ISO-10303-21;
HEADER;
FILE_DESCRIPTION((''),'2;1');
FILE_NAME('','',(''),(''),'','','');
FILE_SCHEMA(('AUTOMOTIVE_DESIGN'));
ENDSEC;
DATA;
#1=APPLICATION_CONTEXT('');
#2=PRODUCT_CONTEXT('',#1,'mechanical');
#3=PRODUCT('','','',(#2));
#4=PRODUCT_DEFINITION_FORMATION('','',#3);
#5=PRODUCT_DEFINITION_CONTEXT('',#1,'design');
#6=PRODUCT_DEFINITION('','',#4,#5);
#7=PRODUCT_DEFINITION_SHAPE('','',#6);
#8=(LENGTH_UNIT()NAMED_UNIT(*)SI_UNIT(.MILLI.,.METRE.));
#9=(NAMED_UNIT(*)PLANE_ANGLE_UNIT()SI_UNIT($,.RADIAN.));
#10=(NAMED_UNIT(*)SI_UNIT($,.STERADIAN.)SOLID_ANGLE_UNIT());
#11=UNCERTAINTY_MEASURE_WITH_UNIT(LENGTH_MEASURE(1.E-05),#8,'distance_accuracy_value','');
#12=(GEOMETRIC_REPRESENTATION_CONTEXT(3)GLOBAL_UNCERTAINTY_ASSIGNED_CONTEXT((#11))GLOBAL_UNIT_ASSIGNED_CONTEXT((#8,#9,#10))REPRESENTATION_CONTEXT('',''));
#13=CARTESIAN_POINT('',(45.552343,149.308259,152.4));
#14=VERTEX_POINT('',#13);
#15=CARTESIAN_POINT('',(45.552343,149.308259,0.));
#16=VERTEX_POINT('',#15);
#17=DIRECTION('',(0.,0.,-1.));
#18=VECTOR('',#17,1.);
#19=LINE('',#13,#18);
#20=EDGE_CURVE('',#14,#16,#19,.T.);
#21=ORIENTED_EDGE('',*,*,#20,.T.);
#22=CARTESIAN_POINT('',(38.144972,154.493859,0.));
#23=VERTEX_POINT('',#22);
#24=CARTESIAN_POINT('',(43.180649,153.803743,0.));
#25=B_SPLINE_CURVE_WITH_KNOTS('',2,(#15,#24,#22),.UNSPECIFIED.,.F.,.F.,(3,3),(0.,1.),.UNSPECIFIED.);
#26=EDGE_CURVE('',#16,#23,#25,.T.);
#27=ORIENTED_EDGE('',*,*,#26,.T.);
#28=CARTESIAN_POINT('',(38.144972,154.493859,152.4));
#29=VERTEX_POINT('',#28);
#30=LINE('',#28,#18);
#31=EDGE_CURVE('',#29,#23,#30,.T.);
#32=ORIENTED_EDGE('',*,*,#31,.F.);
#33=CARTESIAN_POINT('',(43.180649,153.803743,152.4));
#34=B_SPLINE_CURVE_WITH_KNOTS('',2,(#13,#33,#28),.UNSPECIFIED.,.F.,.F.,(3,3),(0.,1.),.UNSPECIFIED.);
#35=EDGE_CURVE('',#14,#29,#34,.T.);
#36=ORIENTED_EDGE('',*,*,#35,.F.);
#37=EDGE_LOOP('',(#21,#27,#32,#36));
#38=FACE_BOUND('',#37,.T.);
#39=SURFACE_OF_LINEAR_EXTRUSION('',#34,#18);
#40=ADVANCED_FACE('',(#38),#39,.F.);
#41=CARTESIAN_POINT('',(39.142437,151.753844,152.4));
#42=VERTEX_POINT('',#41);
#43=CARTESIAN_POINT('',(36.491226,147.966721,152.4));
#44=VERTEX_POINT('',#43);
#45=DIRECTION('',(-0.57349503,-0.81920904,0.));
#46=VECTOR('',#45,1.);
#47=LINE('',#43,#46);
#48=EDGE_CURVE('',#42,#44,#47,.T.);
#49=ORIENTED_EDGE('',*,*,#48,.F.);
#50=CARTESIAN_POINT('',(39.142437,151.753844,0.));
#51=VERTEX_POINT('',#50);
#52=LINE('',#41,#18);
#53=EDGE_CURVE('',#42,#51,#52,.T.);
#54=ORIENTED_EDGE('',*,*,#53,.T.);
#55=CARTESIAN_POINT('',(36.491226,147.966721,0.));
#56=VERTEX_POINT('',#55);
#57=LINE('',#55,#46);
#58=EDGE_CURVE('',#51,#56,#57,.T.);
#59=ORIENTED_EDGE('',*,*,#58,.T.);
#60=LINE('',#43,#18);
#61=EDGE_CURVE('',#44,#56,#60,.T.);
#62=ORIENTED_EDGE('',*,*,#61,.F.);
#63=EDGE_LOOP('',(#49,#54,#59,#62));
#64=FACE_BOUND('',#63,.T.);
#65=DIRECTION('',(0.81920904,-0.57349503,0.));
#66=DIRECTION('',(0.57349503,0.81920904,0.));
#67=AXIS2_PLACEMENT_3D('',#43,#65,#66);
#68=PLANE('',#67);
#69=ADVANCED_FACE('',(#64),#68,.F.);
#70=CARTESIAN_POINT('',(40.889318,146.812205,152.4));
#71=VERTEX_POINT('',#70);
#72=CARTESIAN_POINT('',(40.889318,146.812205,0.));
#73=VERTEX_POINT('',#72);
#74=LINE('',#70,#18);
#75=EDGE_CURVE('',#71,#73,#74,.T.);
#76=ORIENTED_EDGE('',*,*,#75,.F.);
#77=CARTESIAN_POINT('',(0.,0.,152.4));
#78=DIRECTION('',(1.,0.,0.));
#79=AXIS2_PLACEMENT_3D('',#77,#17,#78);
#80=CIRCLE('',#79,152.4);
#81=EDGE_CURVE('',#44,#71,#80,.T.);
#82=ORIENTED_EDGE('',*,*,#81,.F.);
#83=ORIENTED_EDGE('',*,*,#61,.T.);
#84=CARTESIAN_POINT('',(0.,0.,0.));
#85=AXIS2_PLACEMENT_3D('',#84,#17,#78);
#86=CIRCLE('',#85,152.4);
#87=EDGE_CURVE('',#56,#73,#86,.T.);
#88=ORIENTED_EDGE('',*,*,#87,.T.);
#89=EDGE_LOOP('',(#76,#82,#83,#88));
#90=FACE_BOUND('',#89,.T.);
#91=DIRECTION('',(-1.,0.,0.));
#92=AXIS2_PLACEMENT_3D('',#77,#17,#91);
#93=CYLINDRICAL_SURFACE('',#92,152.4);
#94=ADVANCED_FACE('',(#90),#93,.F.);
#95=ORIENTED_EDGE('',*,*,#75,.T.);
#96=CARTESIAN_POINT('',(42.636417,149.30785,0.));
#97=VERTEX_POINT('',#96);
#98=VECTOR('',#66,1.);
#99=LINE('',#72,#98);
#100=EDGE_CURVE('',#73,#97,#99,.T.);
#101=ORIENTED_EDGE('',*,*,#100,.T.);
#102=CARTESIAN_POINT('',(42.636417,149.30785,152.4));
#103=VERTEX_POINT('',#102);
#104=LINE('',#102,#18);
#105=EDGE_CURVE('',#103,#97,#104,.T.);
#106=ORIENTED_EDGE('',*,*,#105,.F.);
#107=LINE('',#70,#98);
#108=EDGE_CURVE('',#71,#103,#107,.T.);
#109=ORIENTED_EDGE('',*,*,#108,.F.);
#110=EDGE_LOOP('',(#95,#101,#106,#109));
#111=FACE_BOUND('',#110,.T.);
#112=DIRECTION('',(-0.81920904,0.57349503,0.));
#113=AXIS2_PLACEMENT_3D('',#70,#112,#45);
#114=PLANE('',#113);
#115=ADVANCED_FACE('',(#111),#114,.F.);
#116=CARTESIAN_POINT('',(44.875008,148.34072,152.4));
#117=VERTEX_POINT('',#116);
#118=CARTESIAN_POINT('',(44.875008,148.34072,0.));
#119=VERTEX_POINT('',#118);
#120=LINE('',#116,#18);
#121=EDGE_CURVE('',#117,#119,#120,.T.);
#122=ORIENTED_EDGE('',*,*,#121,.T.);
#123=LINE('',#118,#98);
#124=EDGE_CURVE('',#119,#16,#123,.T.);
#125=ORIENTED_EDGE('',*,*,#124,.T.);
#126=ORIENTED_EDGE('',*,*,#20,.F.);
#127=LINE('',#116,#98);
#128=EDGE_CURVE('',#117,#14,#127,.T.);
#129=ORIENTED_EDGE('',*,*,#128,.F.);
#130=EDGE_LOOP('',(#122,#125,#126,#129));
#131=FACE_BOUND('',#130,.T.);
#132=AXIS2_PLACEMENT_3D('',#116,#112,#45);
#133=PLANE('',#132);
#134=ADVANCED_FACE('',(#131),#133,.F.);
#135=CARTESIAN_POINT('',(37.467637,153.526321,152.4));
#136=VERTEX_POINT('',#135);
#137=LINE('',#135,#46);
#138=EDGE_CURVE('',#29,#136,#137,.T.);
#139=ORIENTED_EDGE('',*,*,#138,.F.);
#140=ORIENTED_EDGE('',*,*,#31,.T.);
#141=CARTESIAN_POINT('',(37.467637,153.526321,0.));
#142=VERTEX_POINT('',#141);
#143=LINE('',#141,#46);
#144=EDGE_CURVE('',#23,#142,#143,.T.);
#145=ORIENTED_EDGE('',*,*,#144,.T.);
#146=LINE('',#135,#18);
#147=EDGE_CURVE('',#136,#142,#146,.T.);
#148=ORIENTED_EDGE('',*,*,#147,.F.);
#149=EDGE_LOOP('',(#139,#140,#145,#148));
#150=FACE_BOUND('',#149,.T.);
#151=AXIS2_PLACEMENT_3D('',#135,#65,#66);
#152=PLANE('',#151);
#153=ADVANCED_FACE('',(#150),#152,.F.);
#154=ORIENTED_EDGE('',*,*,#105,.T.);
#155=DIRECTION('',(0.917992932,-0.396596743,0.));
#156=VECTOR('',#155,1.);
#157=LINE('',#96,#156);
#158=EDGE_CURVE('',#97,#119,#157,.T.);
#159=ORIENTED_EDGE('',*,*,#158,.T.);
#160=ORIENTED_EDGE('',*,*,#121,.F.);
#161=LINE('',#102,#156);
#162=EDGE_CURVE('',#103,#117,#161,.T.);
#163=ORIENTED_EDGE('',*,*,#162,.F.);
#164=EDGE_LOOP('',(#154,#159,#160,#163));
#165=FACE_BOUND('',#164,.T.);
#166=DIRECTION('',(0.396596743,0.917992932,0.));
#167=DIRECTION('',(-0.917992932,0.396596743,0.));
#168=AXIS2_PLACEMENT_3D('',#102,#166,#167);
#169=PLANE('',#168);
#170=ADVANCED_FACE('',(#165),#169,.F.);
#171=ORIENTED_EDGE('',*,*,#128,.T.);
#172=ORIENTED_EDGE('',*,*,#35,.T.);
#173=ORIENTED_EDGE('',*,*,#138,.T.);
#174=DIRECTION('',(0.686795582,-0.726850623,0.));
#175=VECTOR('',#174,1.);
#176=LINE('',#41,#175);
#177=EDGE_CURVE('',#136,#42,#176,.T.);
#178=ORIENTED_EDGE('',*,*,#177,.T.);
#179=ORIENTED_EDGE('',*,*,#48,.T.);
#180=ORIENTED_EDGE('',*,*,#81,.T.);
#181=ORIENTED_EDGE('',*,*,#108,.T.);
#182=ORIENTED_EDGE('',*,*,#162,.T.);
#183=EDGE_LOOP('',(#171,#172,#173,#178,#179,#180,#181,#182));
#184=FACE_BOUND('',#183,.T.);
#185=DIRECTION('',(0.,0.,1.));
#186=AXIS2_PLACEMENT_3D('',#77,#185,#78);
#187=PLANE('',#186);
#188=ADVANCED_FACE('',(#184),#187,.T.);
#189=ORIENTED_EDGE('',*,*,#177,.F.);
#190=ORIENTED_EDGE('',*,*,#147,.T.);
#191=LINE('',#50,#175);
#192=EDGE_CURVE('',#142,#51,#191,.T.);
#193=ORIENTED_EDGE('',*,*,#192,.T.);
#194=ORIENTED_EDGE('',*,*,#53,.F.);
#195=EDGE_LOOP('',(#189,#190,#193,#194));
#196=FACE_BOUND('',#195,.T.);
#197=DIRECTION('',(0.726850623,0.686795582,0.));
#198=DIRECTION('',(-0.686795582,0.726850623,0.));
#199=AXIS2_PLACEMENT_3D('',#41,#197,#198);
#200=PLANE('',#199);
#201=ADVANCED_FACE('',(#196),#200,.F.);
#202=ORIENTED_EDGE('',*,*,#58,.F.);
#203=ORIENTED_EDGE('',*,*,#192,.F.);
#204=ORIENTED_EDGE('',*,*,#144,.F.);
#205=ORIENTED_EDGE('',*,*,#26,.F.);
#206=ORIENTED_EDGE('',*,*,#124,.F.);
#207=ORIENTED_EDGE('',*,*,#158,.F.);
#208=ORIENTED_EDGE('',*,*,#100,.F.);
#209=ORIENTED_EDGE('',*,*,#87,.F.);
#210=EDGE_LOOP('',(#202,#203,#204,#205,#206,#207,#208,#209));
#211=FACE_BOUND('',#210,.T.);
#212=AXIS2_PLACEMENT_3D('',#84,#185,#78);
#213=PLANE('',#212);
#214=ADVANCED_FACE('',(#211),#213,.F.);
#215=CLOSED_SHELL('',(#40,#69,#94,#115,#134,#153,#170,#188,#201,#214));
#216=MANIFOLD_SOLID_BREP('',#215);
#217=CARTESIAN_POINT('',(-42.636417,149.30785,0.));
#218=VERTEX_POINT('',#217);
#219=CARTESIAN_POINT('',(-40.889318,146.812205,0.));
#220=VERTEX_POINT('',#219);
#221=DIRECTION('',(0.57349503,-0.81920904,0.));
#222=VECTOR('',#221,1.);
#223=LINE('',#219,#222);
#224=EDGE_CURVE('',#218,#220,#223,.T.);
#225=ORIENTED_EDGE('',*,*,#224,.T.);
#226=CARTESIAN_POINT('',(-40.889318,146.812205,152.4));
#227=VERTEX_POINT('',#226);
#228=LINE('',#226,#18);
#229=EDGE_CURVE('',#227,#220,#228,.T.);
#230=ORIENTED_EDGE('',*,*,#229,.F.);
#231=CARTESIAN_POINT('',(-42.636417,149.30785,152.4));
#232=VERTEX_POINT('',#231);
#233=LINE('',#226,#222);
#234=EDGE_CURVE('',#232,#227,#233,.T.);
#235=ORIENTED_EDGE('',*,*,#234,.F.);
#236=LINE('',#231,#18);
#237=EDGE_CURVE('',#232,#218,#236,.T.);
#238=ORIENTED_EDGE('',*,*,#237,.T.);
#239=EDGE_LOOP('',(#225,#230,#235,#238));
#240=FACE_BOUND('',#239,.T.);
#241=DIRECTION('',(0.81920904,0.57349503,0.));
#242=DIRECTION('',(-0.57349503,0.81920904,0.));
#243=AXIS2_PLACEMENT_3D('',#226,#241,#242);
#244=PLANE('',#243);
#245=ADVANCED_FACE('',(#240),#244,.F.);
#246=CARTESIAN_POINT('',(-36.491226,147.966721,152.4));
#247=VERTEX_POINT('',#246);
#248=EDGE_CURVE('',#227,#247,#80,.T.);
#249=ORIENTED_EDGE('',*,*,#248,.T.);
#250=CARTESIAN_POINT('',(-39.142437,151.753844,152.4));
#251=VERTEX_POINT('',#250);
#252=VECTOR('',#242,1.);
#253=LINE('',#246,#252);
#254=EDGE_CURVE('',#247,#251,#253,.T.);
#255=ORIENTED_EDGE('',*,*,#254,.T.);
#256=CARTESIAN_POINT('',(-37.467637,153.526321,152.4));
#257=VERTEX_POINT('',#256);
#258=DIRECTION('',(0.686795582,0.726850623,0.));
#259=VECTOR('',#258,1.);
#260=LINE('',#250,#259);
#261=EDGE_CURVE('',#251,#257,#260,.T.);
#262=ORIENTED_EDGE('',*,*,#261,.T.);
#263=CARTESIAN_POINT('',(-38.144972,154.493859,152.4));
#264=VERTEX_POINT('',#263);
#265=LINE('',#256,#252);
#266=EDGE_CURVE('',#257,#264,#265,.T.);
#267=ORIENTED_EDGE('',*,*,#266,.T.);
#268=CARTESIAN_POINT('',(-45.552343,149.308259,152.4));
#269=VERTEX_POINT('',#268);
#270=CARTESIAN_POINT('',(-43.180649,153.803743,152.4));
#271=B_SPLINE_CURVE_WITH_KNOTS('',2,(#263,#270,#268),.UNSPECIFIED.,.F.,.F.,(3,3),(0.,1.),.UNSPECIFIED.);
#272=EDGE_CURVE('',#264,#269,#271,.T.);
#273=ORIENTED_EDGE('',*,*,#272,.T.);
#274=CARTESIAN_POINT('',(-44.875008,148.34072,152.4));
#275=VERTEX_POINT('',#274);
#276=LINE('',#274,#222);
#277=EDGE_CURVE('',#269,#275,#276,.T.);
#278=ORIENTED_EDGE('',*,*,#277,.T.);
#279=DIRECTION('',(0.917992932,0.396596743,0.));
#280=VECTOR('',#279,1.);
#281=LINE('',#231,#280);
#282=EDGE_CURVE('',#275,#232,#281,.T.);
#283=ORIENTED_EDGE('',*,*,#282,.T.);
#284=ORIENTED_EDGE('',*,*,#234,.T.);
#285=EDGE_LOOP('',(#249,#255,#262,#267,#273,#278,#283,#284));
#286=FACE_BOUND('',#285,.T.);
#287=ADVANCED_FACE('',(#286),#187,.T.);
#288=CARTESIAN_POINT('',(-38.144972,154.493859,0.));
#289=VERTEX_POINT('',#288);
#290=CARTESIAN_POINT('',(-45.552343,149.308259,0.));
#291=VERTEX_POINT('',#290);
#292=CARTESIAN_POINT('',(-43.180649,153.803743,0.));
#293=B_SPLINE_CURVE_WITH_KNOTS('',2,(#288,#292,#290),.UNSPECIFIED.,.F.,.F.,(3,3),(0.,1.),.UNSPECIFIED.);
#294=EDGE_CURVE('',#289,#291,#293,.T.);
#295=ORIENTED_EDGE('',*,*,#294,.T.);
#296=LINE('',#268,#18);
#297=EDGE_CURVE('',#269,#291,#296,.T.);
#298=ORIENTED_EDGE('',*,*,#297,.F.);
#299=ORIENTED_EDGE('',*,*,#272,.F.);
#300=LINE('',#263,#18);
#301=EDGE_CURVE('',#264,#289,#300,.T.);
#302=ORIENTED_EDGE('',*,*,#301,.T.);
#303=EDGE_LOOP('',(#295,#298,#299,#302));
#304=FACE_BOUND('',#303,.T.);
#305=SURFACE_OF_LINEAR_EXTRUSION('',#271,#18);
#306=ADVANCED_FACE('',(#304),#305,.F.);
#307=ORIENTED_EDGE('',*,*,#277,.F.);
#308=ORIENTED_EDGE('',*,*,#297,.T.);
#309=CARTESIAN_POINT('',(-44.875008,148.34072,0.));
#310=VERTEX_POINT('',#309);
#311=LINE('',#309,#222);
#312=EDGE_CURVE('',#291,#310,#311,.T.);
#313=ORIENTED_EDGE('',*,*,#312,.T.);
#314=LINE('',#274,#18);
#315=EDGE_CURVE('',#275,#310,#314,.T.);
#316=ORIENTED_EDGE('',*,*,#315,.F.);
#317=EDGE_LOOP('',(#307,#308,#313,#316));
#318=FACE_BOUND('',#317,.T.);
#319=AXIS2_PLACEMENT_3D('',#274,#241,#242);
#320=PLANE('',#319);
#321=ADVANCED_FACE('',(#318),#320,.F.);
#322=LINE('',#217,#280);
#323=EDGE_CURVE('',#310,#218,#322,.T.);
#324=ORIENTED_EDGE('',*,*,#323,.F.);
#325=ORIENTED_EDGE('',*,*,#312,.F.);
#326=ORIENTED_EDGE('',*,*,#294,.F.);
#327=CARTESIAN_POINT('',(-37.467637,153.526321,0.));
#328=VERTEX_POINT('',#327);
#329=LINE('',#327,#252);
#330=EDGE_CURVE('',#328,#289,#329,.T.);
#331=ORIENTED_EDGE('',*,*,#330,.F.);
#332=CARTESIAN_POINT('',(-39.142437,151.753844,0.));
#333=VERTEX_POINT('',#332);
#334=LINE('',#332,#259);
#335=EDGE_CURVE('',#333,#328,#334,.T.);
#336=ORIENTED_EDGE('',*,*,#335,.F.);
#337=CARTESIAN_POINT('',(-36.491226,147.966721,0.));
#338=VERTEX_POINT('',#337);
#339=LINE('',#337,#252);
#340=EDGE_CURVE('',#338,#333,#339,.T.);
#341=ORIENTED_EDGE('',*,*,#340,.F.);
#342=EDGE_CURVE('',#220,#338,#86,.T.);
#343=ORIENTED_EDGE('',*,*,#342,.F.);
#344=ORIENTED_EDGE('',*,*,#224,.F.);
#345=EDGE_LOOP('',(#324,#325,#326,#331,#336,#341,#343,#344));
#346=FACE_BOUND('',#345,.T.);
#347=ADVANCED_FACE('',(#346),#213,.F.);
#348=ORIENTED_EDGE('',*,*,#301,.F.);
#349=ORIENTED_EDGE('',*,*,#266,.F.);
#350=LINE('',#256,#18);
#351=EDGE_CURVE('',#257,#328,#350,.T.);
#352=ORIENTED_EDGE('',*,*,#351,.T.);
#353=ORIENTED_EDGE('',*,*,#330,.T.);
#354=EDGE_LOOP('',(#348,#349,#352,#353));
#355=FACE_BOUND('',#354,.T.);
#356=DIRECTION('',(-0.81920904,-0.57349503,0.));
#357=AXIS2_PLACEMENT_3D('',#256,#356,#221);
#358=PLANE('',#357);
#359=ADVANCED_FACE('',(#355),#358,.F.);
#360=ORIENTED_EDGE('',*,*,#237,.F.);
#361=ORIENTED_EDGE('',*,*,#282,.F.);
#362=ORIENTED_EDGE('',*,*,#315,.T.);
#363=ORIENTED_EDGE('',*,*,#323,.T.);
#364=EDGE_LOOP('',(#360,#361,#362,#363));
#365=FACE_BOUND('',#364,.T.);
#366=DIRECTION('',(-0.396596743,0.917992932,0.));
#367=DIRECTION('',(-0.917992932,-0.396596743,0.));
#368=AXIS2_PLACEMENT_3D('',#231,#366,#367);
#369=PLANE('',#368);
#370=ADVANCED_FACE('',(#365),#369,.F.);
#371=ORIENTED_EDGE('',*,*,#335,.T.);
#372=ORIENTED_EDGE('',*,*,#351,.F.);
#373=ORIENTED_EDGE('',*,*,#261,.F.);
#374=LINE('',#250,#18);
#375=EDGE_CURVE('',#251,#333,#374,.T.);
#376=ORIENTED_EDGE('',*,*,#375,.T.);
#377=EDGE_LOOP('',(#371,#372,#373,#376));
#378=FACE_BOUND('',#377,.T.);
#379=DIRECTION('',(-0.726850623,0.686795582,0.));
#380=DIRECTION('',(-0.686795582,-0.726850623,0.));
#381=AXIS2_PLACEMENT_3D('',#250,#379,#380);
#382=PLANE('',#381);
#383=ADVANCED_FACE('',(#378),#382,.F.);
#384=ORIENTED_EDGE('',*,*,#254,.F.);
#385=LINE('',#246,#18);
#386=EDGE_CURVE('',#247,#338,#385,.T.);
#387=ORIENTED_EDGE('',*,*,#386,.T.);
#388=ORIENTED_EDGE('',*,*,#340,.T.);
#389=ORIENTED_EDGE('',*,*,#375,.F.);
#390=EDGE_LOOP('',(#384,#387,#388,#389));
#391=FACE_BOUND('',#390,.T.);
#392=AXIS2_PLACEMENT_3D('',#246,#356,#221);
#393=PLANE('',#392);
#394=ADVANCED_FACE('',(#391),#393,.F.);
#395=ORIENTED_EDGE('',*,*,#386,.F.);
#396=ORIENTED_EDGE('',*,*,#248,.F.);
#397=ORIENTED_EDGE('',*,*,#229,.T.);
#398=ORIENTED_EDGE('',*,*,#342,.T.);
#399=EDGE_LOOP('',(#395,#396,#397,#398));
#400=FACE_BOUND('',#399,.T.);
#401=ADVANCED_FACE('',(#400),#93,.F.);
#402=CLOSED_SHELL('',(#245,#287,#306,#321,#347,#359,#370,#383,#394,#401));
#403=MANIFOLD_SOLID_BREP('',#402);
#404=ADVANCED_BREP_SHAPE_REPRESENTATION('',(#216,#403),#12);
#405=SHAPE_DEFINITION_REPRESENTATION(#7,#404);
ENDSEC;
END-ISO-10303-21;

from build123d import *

# Parameters (mm, degrees)
BOSS_EXTRUDE1_DEPTH   = 152.4
BOSS_EXTRUDE1_2_DEPTH = 152.4


with BuildPart() as part:
    # Sketch1 → Boss-Extrude1 (new body)
    with BuildSketch(Plane.XY):
        with BuildLine():
            Line((-36.49122578, 147.966720721), (-39.142437036, 151.753843735))
            Line((-39.142437036, 151.753843735), (-37.467637136, 153.526320702))
            Line((-37.467637136, 153.526320702), (-38.144971739, 154.493859392))
            add(Edge.make_bspline(
                [(-45.552343011, 149.308259131), (-43.180649259, 153.803743217), (-38.144971739, 154.493859392)],
                knots=[0, 0, 0, 1, 1, 1], degree=2))
            Line((-45.552343011, 149.308259131), (-44.875008407, 148.34072044))
            Line((-44.875008407, 148.34072044), (-42.636417316, 149.30784982))
            Line((-42.636417316, 149.30784982), (-40.889317917, 146.812205488))
            ThreePointArc((-40.889317917, 146.812205488), (-38.694577942, 147.40586704), (-36.49122578, 147.966720721))
        make_face()
    extrude(amount=BOSS_EXTRUDE1_DEPTH)


with BuildPart() as body_2:
    # Sketch1 → Boss-Extrude1 2 (new body)
    with BuildSketch(Plane.XY):
        with BuildLine():
            Line((36.49122578, 147.966720721), (39.142437036, 151.753843735))
            Line((39.142437036, 151.753843735), (37.467637136, 153.526320702))
            Line((37.467637136, 153.526320702), (38.144971739, 154.493859392))
            add(Edge.make_bspline(
                [(45.552343011, 149.308259131), (43.180649259, 153.803743217), (38.144971739, 154.493859392)],
                knots=[0, 0, 0, 1, 1, 1], degree=2))
            Line((45.552343011, 149.308259131), (44.875008407, 148.34072044))
            Line((44.875008407, 148.34072044), (42.636417316, 149.30784982))
            Line((42.636417316, 149.30784982), (40.889317917, 146.812205488))
            ThreePointArc((40.889317917, 146.812205488), (38.694577942, 147.40586704), (36.49122578, 147.966720721))
        make_face()
    extrude(amount=BOSS_EXTRUDE1_2_DEPTH)


solid = Compound([part.part, body_2.part])
